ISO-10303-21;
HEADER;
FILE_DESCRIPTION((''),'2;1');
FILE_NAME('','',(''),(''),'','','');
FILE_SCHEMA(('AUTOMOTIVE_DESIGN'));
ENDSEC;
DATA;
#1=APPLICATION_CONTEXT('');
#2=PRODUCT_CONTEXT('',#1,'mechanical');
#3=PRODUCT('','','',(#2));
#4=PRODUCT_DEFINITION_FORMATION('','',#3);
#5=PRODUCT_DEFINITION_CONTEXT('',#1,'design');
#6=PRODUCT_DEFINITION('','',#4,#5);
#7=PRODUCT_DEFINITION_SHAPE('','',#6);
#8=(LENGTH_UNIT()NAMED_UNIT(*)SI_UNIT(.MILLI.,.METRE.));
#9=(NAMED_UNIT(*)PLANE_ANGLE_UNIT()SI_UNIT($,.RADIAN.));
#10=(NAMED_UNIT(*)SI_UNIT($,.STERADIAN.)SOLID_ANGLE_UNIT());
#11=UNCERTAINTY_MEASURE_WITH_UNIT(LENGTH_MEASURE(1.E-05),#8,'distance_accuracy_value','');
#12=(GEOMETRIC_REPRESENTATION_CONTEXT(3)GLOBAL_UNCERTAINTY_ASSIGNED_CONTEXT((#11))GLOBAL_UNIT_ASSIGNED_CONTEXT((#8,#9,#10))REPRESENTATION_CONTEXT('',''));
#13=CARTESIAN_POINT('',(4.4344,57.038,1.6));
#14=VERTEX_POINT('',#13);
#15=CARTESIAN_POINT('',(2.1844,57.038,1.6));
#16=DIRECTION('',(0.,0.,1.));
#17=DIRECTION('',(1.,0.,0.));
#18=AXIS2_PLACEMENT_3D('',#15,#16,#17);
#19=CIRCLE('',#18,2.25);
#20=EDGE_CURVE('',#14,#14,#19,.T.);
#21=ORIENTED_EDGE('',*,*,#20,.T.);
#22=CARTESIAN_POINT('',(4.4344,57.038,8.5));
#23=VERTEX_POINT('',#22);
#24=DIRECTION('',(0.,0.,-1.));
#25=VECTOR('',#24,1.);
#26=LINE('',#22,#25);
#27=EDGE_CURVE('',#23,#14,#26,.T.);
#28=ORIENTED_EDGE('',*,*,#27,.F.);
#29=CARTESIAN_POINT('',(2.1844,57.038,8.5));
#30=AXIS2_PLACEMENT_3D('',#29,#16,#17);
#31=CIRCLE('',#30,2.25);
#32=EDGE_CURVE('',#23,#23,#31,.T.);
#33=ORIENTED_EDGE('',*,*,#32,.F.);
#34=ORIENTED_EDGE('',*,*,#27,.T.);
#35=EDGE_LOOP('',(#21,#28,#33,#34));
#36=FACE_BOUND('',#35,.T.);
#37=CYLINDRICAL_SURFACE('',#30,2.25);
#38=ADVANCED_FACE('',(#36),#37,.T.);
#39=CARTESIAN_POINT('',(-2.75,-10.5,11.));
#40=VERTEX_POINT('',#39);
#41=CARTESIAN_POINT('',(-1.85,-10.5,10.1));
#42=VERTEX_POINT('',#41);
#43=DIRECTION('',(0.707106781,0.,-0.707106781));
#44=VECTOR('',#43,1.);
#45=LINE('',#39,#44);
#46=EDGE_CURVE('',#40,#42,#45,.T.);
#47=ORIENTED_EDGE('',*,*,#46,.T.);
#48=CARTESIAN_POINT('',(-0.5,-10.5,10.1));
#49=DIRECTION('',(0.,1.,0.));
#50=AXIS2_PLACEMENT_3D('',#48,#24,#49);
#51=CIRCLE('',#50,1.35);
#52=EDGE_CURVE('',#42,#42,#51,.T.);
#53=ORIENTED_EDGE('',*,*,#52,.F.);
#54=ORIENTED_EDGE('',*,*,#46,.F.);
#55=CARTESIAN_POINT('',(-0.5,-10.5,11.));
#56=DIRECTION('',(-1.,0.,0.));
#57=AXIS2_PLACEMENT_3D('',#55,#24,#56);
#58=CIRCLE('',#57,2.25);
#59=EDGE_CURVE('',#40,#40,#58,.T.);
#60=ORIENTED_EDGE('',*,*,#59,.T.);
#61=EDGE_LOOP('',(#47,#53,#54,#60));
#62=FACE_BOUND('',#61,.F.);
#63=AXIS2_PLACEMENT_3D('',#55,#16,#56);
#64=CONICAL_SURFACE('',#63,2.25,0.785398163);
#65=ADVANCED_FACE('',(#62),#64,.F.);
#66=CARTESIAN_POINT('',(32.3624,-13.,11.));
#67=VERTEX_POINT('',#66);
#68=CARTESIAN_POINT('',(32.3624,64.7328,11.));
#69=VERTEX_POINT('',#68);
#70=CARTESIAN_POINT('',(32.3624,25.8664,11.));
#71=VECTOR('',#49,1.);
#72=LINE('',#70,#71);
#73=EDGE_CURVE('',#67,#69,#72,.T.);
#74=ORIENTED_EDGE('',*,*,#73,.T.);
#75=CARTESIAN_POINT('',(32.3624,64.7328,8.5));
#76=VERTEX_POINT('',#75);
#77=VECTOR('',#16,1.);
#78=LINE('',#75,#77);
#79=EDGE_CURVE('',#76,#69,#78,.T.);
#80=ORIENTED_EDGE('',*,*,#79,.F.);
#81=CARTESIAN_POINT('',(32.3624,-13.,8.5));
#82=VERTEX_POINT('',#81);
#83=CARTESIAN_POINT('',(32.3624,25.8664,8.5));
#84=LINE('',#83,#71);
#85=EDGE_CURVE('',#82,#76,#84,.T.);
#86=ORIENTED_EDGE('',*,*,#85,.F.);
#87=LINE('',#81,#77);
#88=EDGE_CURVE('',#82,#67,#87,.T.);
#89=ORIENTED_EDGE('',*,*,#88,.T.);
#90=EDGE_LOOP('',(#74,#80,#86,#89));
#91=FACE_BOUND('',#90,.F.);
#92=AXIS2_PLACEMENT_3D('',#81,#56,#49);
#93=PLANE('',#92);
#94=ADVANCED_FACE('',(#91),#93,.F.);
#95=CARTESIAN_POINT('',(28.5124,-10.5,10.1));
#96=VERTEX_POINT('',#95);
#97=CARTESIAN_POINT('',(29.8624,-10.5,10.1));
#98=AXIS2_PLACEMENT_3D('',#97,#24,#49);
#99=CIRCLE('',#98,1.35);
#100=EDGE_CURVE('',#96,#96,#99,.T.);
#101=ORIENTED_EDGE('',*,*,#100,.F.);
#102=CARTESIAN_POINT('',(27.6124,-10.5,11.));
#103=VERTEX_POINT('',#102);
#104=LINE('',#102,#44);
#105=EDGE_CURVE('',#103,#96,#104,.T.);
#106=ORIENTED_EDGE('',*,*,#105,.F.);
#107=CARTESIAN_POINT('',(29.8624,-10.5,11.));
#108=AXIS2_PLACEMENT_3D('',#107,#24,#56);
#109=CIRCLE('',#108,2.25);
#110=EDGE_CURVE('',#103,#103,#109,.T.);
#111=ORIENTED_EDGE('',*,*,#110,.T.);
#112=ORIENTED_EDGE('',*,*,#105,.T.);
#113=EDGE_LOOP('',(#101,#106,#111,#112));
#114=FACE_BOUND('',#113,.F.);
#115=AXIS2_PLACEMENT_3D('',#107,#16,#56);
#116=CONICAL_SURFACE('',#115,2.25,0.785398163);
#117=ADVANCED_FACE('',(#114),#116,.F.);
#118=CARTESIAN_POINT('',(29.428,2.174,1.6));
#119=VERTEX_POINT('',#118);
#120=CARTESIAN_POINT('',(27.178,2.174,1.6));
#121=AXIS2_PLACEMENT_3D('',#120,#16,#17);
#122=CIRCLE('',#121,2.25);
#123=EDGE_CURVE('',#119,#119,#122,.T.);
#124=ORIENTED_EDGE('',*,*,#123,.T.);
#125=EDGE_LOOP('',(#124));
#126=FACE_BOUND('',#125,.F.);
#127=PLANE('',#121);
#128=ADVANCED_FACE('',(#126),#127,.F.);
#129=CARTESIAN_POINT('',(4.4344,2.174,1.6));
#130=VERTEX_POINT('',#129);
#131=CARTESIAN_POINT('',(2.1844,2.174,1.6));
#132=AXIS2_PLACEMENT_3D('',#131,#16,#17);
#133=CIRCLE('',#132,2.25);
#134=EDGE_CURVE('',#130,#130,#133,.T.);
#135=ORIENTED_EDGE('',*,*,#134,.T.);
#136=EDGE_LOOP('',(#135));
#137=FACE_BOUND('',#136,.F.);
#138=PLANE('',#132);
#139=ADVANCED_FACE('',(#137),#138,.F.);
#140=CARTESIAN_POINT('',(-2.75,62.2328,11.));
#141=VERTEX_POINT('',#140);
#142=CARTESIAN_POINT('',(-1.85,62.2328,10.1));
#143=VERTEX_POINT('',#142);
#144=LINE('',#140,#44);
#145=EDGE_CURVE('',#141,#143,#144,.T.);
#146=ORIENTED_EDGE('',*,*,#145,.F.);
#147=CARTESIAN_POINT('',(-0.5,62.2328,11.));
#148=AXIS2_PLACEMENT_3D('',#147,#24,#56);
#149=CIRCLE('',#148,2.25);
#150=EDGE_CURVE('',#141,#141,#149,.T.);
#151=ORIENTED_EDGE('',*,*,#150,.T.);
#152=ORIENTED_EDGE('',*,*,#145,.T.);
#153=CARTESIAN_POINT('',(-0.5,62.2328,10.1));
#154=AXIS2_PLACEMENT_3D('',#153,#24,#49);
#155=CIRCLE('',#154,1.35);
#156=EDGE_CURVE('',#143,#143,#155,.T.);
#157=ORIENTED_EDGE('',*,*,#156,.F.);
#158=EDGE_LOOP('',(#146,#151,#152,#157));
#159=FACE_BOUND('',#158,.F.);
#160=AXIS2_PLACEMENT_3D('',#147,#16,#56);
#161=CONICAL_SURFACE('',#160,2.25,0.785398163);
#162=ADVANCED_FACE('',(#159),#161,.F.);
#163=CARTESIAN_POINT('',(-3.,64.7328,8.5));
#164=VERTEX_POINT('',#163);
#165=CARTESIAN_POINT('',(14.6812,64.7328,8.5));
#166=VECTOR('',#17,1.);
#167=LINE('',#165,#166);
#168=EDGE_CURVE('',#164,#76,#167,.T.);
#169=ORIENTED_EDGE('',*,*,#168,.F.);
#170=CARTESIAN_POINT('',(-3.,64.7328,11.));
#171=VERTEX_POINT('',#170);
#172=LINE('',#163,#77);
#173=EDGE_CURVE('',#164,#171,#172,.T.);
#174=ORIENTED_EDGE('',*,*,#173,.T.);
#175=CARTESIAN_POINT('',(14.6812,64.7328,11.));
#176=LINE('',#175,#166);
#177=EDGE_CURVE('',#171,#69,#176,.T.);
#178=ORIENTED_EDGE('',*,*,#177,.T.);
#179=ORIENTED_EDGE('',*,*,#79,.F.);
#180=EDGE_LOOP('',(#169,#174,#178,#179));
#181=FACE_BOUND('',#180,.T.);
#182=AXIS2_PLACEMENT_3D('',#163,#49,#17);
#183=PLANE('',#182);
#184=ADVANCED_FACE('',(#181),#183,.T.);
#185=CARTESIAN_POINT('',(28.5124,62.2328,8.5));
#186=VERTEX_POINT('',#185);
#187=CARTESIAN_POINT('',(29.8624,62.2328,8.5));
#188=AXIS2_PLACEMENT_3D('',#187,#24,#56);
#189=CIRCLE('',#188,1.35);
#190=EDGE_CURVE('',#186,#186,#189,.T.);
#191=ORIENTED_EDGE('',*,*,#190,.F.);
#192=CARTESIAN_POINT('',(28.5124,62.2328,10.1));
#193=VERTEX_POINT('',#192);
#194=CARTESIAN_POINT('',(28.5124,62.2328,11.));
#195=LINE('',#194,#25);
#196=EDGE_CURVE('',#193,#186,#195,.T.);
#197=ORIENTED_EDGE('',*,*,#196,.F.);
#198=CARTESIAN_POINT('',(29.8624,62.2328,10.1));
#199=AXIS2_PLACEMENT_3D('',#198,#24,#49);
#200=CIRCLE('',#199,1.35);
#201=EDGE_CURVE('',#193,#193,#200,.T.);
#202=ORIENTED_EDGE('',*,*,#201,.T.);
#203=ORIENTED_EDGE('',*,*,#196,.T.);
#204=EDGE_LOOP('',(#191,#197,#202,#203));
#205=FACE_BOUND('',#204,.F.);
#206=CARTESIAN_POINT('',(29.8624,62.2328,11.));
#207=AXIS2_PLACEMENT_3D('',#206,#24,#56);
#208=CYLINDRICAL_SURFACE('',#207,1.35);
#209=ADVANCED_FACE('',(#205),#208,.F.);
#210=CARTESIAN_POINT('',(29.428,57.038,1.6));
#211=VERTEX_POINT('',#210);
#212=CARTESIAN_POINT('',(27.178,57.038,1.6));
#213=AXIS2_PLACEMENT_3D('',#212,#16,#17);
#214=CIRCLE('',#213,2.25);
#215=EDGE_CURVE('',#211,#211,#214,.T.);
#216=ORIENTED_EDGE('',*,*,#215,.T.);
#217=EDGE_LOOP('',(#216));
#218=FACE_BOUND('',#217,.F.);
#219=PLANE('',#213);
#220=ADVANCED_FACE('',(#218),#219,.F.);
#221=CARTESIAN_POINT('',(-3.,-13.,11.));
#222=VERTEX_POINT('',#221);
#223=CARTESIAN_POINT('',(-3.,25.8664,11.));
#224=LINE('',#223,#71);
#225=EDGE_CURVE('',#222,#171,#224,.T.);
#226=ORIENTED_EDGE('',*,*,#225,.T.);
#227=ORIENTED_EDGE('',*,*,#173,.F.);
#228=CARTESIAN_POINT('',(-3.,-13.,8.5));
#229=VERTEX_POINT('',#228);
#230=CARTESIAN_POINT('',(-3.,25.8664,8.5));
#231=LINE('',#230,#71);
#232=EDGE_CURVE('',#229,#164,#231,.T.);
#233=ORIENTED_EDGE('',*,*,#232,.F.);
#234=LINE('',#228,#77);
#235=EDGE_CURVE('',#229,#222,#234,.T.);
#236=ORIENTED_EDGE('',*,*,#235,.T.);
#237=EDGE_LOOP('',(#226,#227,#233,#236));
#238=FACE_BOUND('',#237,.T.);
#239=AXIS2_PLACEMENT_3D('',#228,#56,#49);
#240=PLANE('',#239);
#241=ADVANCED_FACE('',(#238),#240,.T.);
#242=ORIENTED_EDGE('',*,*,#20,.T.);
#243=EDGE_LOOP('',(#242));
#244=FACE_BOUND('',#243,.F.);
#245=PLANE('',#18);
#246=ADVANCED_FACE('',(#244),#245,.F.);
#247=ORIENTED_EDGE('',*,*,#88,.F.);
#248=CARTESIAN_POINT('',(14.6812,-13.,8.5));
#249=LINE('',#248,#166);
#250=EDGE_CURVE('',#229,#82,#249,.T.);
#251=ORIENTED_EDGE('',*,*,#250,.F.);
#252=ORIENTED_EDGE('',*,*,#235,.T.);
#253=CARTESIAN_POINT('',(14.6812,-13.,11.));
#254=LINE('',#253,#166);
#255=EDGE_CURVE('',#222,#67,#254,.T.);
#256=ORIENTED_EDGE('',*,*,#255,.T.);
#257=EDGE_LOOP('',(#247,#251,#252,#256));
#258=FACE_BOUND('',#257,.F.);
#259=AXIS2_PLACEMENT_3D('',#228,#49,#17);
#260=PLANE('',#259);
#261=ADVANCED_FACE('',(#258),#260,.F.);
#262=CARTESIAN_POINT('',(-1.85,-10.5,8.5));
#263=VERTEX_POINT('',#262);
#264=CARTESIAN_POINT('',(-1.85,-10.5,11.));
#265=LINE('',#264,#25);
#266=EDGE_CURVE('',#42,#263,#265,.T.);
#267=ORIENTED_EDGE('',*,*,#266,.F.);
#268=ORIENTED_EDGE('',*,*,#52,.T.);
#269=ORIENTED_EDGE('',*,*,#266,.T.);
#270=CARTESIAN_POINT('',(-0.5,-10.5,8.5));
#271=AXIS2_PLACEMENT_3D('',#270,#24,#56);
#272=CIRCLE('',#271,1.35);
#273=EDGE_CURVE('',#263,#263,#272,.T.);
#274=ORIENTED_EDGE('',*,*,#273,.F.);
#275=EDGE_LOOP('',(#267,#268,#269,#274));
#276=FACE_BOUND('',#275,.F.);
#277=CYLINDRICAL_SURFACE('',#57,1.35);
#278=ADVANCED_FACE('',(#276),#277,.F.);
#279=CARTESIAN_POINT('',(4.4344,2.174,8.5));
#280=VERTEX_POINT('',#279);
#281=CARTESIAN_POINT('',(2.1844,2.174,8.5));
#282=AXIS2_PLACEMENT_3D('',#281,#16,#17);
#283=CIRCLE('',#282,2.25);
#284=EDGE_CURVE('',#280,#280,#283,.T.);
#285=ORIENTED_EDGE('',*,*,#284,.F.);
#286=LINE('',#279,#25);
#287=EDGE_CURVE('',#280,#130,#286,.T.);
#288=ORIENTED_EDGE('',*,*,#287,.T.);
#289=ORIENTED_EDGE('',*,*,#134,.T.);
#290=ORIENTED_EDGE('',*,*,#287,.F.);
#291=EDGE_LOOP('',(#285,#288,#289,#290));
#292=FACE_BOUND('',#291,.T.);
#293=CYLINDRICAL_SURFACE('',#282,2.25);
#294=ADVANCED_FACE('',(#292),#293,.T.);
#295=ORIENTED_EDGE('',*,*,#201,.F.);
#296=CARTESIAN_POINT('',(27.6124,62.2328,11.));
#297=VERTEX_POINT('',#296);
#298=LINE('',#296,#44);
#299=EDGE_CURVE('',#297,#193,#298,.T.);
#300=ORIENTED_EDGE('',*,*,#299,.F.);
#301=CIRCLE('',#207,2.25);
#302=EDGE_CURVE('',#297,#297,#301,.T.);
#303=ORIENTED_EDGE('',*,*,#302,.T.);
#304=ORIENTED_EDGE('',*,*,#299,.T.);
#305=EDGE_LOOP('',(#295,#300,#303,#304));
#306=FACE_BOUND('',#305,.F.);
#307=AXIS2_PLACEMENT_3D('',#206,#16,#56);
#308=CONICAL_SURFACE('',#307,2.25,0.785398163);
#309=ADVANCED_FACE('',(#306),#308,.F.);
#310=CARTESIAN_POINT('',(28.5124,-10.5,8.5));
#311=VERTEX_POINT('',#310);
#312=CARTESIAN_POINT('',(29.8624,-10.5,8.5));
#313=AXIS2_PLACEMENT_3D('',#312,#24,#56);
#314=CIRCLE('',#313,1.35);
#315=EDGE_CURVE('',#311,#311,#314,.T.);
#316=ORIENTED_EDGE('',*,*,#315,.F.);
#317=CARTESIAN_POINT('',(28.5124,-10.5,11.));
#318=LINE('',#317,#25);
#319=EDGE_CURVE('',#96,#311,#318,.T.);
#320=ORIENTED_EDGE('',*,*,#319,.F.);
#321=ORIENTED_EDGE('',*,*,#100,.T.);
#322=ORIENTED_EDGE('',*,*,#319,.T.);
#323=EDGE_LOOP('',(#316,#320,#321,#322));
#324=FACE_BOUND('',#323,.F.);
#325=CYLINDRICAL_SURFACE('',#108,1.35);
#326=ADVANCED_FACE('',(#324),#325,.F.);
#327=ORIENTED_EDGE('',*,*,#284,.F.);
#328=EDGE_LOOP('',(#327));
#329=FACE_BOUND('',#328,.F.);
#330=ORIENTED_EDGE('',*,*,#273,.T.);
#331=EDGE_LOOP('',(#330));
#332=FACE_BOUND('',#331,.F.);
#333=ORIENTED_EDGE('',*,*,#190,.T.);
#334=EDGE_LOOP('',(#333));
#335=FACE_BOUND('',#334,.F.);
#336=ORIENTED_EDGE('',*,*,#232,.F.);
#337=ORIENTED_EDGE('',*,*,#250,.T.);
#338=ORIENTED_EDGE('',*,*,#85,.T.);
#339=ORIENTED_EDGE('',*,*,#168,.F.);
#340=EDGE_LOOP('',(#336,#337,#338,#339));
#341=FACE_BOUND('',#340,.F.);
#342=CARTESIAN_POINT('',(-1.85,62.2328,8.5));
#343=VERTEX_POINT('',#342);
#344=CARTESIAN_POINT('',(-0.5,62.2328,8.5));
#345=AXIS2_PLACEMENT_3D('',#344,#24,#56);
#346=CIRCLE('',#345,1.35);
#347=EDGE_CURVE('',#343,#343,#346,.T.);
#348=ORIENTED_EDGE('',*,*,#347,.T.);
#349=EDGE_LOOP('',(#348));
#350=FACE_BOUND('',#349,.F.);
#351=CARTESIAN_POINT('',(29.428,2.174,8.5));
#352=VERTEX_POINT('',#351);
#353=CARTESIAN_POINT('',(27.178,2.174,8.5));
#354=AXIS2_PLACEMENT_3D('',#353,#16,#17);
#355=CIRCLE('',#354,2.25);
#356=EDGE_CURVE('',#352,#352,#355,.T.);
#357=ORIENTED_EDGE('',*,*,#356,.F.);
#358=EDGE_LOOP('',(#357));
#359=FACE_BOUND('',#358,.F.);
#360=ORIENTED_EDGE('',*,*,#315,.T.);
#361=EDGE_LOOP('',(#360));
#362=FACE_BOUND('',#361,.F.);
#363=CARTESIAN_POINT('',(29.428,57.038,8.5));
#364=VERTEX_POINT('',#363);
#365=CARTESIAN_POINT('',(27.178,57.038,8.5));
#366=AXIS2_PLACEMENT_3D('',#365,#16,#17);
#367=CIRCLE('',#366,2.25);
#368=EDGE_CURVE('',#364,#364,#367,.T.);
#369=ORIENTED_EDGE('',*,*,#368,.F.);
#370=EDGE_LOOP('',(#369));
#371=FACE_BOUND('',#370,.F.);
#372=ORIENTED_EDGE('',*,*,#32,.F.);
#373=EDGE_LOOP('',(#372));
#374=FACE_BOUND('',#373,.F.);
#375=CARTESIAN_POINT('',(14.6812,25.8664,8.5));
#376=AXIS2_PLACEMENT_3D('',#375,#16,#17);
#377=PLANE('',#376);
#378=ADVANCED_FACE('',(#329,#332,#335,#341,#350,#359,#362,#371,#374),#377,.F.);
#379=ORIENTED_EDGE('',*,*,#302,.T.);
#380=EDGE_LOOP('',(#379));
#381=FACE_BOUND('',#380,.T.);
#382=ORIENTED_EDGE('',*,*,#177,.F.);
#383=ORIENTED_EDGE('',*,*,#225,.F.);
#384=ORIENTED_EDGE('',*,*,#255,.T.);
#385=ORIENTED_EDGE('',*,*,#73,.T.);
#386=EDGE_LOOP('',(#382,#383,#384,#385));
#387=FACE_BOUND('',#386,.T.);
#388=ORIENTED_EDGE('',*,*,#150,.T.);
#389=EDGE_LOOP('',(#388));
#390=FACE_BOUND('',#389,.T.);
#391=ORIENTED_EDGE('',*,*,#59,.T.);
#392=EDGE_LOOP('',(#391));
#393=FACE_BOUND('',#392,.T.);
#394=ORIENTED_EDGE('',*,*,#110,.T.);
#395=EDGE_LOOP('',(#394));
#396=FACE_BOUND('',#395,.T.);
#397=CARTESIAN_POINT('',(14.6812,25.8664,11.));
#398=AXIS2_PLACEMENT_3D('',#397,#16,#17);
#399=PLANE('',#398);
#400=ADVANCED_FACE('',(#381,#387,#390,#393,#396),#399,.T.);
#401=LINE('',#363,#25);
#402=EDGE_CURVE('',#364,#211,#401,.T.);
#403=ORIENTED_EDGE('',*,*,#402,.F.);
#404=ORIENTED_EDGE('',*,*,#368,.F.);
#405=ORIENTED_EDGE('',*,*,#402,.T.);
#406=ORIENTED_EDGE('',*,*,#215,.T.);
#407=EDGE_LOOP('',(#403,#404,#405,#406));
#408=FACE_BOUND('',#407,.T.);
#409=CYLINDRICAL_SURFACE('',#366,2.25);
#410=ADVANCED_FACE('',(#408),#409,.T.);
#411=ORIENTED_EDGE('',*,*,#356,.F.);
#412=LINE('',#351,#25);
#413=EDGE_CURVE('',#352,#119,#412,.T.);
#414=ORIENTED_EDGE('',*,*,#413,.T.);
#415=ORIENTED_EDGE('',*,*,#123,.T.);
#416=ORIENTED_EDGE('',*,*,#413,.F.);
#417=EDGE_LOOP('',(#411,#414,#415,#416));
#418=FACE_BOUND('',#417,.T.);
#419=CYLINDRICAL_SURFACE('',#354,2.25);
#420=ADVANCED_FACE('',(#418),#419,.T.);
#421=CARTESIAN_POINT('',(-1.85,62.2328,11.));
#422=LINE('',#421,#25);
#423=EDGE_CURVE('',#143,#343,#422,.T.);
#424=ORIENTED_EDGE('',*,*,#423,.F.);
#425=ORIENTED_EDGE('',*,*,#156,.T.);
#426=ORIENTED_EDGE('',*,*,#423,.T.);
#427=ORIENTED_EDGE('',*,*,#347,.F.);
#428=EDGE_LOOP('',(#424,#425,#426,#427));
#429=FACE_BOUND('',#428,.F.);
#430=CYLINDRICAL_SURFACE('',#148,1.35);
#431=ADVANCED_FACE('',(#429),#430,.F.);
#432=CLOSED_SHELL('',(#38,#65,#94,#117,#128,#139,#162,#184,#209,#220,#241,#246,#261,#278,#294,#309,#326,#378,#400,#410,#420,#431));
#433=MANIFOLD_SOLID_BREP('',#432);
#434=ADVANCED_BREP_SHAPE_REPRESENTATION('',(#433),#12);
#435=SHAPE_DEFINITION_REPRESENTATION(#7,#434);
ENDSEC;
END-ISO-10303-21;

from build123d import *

# Parameters (mm, degrees)
SKETCH009_W      = 35.3624
SKETCH009_H      = 77.7328
PAD004_DEPTH     = 2.5
SKETCH010_R      = 2.25
PAD005_DEPTH     = 6.9
HOLE_D           = 2.7
HOLE_CSINK_D     = 4.5
HOLE_CSINK_ANGLE = 90


with BuildPart() as part:
    # Sketch009 (on CopyDatumPlane) → Pad004 (new body)
    with BuildSketch(Plane.XY.offset(8.5)):
        with Locations((14.6812, 25.8664)):
            Rectangle(SKETCH009_W, SKETCH009_H)
    extrude(amount=PAD004_DEPTH)

    # Sketch010 (on CopyDatumPlane) → Pad005 (join)
    with BuildSketch(Plane.XY.offset(8.5)):
        with Locations((2.1844, 57.038)):
            Circle(SKETCH010_R)
        with Locations((27.178, 57.038)):
            Circle(SKETCH010_R)
        with Locations((27.178, 2.174)):
            Circle(SKETCH010_R)
        with Locations((2.1844, 2.174)):
            Circle(SKETCH010_R)
    extrude(amount=-PAD005_DEPTH)

    # Hole (through all)
    with Locations(Plane.XY.offset(11)):
        with Locations((-0.5, 62.2328), (29.8624, 62.2328), (29.8624, -10.5), (-0.5, -10.5)):
            CounterSinkHole(HOLE_D / 2, HOLE_CSINK_D / 2, counter_sink_angle=HOLE_CSINK_ANGLE)


solid = part.part
